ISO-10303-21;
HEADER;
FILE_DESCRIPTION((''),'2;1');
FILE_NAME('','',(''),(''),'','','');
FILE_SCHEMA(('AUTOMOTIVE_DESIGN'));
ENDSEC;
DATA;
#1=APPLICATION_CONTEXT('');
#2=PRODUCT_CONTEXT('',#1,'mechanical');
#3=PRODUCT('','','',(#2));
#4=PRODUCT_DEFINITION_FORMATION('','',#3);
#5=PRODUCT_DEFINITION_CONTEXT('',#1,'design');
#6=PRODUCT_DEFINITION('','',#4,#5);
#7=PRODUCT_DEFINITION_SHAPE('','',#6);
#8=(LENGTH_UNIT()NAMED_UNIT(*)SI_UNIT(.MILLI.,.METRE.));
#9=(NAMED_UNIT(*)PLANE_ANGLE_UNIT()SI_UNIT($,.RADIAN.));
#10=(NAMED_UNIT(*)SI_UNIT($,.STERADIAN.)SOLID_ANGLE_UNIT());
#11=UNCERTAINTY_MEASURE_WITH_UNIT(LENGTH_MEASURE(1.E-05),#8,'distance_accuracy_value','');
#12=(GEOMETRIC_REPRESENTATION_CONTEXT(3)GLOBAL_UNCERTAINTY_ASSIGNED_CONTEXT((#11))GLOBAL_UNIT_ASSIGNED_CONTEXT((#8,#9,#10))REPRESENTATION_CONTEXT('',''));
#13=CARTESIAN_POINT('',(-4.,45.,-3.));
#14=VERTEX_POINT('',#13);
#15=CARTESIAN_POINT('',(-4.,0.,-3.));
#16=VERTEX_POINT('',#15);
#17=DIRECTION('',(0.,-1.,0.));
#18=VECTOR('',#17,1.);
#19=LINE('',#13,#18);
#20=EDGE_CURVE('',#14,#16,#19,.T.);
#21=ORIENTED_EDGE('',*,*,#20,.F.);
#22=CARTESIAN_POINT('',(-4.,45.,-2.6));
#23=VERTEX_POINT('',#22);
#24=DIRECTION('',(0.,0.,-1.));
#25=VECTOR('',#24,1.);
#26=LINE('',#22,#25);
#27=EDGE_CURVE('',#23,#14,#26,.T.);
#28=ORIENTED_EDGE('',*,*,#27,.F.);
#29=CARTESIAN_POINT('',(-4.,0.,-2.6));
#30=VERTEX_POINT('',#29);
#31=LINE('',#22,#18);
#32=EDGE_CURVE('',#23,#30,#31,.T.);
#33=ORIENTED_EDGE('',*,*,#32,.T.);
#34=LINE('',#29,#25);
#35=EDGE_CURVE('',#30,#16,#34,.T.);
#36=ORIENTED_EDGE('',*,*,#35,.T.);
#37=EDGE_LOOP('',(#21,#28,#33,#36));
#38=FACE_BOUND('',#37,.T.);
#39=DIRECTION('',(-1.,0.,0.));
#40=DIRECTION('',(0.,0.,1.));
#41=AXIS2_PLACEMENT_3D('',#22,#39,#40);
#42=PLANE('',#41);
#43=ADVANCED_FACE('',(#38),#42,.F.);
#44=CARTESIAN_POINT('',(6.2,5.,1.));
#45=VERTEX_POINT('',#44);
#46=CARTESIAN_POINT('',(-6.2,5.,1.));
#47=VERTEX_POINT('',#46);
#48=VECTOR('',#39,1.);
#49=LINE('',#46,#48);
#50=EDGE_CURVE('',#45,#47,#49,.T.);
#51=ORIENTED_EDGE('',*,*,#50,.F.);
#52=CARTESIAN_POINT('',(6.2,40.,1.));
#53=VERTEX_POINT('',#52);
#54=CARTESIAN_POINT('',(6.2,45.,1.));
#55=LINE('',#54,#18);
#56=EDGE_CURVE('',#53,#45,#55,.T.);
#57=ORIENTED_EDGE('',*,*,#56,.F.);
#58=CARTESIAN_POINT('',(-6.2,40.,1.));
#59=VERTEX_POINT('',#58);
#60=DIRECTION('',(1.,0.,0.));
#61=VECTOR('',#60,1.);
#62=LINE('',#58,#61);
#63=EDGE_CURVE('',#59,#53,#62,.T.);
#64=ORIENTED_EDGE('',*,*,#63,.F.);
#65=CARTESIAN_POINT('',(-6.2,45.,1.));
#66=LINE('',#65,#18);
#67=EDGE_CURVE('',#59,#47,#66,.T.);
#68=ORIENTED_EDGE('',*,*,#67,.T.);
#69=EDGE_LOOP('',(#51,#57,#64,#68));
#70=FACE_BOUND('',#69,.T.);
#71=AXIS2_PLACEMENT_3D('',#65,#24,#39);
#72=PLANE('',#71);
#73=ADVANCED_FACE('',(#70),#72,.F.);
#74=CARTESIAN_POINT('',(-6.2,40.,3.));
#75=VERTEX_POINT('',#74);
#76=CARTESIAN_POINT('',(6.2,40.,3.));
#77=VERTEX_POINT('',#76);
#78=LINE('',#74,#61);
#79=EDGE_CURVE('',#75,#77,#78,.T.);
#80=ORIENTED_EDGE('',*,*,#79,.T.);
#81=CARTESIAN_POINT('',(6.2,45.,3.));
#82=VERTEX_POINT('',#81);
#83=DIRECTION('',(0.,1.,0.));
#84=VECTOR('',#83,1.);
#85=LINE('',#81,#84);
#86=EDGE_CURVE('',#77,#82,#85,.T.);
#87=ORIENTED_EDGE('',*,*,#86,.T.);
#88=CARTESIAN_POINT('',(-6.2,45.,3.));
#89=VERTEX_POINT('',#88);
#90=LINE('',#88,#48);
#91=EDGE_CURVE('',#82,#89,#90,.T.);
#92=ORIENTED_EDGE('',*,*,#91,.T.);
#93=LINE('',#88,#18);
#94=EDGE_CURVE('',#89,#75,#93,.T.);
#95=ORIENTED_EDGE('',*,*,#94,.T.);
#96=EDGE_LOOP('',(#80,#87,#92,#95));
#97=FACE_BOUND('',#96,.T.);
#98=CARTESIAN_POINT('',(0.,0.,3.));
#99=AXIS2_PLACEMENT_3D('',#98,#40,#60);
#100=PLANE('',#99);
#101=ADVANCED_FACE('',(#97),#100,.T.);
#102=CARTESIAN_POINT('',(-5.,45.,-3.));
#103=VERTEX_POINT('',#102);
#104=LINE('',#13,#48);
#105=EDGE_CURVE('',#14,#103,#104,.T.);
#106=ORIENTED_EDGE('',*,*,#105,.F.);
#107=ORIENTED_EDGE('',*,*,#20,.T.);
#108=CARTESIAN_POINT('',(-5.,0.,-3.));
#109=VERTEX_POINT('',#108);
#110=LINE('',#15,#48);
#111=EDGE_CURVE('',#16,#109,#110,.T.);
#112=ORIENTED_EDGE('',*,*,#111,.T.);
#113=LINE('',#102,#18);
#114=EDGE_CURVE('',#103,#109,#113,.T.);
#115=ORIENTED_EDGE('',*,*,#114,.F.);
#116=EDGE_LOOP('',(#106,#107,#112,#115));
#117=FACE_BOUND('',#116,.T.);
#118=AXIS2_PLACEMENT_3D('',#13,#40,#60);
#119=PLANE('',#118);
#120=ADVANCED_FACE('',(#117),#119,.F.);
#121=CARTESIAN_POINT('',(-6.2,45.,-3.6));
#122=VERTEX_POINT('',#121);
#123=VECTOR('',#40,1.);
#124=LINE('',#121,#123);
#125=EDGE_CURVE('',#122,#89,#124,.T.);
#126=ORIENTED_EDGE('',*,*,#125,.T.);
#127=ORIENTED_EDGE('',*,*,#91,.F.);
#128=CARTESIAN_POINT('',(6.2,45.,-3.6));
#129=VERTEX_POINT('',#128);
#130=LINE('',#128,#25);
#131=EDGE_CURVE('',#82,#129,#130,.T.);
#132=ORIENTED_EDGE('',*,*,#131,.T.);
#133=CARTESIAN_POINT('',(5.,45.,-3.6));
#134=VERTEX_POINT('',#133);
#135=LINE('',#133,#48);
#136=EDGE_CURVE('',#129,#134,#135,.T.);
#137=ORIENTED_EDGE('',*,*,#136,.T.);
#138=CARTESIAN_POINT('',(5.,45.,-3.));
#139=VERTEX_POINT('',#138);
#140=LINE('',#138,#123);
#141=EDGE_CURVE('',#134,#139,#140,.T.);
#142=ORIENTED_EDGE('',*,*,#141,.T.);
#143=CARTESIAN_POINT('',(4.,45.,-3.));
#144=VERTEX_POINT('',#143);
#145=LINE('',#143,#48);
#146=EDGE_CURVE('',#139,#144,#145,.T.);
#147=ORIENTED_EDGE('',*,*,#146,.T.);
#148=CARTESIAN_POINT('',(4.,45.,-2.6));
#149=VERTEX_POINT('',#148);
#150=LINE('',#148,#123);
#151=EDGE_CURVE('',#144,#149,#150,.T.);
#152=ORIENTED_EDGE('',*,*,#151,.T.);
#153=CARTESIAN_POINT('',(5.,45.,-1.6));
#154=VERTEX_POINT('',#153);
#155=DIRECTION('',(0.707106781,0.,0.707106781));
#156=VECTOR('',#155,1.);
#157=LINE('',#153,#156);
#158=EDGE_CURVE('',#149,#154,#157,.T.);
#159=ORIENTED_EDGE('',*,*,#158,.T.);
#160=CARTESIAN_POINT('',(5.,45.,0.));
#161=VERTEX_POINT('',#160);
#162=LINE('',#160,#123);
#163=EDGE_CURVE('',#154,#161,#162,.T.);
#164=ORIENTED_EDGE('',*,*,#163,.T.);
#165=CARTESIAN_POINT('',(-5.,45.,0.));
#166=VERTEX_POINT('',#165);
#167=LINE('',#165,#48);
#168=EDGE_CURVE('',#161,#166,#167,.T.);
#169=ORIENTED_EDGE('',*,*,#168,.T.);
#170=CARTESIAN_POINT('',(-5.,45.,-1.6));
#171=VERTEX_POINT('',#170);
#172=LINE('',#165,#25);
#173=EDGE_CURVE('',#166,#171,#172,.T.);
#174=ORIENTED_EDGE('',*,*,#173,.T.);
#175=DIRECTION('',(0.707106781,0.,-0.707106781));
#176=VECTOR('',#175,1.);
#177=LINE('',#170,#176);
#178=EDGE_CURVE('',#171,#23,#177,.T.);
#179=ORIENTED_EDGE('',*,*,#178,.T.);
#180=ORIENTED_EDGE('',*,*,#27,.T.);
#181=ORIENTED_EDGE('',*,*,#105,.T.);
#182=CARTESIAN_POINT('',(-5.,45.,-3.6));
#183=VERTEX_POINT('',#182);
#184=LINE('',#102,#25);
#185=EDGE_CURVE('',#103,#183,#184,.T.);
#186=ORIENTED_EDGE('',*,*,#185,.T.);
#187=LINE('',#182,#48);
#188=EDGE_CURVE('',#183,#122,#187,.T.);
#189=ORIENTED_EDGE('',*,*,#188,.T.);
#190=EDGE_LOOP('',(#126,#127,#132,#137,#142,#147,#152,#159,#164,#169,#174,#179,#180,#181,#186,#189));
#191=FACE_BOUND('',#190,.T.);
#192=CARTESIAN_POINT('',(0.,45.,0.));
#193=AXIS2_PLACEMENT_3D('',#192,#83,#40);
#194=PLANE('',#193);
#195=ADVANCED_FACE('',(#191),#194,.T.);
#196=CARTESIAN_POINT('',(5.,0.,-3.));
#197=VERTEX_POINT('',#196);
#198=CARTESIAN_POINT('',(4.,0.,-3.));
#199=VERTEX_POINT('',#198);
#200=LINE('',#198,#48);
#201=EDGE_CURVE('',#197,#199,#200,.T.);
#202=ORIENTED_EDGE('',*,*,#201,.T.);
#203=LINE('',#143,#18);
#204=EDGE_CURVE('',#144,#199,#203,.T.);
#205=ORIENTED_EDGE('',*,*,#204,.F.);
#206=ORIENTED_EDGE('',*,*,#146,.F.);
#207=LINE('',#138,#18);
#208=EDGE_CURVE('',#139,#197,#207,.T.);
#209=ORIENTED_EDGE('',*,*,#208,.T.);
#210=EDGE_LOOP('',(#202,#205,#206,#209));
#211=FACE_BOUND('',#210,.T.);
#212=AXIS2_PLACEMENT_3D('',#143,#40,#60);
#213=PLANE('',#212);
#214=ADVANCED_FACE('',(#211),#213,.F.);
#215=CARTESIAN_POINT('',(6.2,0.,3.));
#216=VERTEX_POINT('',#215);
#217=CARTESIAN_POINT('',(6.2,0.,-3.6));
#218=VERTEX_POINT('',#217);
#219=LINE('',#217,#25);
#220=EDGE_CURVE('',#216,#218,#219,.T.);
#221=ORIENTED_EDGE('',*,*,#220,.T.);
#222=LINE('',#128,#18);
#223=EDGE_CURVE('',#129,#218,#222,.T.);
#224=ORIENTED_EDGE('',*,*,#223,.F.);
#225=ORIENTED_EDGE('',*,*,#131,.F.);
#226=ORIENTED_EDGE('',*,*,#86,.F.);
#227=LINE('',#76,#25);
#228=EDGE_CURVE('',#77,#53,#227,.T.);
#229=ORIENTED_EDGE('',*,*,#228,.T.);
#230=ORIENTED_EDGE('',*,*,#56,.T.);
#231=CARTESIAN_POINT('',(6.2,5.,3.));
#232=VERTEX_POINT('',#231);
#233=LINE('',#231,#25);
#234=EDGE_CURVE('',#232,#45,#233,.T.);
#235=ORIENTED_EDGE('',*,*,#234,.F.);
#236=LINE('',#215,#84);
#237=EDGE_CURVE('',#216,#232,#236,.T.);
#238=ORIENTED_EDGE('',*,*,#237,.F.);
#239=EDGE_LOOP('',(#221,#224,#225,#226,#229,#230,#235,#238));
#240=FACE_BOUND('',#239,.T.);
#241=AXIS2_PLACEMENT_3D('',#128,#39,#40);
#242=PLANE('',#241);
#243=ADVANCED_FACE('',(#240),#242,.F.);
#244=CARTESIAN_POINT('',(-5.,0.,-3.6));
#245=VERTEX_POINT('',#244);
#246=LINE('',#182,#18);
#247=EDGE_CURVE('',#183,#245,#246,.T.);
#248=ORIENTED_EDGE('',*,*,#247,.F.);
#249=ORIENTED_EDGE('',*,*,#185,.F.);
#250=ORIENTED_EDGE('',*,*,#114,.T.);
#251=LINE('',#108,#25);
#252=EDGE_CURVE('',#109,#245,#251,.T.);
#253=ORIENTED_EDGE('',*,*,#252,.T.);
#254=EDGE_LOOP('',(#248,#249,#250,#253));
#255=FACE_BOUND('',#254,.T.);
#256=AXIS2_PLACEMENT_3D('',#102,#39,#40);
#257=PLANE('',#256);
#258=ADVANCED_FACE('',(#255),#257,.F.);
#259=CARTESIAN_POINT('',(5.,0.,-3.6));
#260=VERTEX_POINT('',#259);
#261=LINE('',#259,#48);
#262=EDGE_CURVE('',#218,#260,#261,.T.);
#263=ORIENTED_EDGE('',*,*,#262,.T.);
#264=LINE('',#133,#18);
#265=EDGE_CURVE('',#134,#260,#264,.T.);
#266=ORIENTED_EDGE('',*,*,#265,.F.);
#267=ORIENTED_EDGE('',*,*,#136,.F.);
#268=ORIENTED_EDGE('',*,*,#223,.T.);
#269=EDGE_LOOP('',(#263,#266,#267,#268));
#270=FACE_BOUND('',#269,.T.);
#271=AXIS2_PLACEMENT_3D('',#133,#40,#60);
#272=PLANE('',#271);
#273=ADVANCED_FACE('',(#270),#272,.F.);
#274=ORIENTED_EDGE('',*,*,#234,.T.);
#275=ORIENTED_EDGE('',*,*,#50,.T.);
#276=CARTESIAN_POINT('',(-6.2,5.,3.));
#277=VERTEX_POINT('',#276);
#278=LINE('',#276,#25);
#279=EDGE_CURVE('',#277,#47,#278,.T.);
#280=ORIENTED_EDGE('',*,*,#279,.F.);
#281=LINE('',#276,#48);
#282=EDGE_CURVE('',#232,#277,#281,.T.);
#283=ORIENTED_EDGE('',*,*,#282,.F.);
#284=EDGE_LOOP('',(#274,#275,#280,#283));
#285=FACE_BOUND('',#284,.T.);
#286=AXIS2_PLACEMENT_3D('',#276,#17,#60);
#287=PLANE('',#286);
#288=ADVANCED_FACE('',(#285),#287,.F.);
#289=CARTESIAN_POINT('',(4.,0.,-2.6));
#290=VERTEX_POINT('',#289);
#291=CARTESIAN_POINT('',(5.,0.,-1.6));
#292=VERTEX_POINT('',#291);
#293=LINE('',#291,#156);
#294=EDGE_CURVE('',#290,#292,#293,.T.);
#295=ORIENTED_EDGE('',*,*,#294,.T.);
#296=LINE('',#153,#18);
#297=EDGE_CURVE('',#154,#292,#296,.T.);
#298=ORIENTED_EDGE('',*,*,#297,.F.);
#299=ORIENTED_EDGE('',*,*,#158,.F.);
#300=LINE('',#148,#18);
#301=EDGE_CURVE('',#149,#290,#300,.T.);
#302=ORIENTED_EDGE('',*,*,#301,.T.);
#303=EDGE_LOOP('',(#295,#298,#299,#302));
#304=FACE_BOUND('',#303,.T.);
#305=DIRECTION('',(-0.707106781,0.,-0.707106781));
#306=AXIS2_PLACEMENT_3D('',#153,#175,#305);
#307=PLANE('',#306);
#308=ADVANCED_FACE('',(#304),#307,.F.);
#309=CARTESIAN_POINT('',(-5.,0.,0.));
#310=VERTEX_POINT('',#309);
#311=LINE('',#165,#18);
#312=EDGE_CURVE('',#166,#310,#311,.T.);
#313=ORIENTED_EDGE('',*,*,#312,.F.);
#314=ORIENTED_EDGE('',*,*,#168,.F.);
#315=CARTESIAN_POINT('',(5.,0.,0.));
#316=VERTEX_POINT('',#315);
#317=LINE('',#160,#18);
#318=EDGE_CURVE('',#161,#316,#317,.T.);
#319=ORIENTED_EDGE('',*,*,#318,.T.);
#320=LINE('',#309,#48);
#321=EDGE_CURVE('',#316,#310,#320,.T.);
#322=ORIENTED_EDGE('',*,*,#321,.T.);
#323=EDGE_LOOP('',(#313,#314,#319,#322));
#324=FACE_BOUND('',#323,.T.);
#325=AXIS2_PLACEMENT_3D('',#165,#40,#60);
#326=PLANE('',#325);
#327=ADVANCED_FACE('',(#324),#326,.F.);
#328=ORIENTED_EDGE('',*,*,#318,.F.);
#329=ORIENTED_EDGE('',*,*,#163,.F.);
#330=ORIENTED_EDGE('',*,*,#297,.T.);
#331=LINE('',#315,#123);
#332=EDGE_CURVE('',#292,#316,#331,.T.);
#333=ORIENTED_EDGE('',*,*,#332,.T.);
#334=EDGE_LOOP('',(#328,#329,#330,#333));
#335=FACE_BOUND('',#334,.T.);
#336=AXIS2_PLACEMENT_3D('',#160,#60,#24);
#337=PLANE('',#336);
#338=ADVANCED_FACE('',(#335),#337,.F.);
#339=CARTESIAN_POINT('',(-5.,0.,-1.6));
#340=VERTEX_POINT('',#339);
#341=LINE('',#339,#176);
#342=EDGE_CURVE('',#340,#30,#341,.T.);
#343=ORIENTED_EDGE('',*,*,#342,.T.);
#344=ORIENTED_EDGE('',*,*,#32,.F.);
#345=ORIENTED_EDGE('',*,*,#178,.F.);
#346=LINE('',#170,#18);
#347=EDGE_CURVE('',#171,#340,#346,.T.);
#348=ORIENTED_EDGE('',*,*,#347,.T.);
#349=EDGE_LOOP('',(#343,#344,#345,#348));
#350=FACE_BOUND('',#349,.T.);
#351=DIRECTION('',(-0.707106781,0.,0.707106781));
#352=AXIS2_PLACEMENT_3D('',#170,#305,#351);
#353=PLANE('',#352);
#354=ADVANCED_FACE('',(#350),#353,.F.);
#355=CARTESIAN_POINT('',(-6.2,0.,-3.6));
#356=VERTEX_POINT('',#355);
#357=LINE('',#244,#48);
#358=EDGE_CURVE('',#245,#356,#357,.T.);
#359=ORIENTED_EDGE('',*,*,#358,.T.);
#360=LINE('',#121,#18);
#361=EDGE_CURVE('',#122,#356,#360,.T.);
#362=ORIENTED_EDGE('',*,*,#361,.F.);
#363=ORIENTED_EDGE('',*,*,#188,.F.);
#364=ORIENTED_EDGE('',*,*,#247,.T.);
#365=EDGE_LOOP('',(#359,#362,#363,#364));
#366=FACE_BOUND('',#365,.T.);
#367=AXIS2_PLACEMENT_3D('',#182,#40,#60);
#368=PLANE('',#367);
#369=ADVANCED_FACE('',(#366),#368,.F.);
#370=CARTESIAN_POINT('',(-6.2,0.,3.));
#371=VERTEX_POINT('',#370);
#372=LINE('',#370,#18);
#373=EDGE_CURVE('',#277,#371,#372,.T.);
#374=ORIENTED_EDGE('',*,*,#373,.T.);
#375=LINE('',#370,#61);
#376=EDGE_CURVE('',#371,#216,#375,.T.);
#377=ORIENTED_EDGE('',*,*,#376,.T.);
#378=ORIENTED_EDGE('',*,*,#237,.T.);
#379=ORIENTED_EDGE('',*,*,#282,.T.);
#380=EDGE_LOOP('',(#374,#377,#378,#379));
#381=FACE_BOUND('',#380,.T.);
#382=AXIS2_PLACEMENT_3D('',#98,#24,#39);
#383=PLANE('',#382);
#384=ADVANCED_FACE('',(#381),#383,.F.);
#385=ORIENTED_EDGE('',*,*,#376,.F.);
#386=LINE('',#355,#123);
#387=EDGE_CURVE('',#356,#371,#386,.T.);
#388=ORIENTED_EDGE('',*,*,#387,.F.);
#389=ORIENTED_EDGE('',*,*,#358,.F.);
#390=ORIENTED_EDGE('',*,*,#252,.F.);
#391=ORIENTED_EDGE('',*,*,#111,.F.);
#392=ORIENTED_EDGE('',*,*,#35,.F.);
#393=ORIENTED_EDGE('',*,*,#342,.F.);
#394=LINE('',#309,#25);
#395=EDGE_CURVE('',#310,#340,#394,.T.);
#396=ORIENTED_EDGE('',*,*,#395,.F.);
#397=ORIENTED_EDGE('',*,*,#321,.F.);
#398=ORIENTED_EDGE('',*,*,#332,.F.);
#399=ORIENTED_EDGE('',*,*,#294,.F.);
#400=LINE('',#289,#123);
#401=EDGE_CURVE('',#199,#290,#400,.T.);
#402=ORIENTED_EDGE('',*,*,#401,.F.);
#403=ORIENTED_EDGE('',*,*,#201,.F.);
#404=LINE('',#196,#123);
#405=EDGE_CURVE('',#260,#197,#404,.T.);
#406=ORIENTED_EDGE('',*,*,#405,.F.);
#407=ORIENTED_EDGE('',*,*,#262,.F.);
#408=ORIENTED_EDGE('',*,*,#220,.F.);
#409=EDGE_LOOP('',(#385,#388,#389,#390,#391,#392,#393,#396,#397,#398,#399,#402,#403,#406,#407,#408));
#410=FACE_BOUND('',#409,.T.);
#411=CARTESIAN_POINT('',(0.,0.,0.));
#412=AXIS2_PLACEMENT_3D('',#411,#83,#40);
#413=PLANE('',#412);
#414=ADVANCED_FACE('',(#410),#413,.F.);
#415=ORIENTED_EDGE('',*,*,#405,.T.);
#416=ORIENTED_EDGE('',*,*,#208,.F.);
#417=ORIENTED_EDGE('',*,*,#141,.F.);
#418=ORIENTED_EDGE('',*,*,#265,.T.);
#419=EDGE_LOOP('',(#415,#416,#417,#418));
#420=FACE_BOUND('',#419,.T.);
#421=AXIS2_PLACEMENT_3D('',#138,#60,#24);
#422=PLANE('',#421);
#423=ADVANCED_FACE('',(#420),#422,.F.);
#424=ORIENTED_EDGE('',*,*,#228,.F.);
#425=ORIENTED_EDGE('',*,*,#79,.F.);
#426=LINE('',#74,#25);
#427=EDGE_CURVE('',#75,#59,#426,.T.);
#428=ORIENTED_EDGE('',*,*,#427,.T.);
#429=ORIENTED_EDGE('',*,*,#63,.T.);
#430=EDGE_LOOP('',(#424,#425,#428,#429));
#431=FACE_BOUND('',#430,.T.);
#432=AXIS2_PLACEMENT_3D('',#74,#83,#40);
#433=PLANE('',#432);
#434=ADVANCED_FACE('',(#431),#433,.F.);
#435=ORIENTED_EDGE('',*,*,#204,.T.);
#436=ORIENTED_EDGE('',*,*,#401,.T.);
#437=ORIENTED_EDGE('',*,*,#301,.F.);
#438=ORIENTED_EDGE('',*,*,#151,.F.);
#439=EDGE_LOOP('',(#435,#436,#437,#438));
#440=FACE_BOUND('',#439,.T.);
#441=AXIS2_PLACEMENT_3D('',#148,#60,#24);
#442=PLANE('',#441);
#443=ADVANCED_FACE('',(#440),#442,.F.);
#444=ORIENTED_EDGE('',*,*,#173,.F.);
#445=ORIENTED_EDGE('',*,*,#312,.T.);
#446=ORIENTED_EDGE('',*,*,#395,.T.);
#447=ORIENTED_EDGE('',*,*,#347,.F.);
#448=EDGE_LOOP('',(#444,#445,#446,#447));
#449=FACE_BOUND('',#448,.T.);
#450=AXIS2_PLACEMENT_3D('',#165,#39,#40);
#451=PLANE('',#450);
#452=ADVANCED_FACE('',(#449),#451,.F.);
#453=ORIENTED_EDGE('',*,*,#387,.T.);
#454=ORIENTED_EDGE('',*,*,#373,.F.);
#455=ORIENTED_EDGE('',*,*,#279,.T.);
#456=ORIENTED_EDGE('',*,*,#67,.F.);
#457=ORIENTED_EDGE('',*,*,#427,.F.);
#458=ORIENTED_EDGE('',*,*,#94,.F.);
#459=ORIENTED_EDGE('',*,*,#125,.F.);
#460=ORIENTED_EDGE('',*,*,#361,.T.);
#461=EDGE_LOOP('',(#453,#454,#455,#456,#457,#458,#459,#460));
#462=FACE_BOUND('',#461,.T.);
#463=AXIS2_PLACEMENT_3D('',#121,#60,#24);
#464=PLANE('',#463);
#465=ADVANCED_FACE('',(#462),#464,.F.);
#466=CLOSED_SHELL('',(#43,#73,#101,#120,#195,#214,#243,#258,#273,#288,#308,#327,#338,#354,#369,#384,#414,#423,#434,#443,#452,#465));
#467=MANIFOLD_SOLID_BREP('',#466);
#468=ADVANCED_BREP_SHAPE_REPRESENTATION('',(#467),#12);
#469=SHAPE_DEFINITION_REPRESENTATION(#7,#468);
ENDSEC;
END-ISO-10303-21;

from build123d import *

# Parameters (mm, degrees)
P_IDAT_VYSUNUT_M1_DEPTH = 45
SKICA3_W                = 12.4
SKICA3_H                = 5
P_IDAT_VYSUNUT_M2_DEPTH = 2


with BuildPart() as part:
    # Skica1 → Přidat vysunutím1 (new body)
    with BuildSketch(Plane(origin=(0, 0, 0), x_dir=(1, 0, 0), z_dir=(0, 1, 0))):
        Polygon((-5, 0), (5, 0), (5, 1.6), (4, 2.6), (4, 3), (5, 3), (5, 3.6), (6.2, 3.6), (6.2, -1), (-6.2, -1), (-6.2, 3.6), (-5, 3.6), (-5, 3), (-4, 3), (-4, 2.6), (-5, 1.6), align=None)
    extrude(amount=P_IDAT_VYSUNUT_M1_DEPTH)

    # Skica3 → Přidat vysunutím2 (add)
    with BuildSketch(Plane.XY.offset(1)):
        with Locations((0, 42.5)):
            Rectangle(SKICA3_W, SKICA3_H)
        with Locations((0, 2.5)):
            Rectangle(SKICA3_W, SKICA3_H)
    extrude(amount=P_IDAT_VYSUNUT_M2_DEPTH)


solid = part.part
